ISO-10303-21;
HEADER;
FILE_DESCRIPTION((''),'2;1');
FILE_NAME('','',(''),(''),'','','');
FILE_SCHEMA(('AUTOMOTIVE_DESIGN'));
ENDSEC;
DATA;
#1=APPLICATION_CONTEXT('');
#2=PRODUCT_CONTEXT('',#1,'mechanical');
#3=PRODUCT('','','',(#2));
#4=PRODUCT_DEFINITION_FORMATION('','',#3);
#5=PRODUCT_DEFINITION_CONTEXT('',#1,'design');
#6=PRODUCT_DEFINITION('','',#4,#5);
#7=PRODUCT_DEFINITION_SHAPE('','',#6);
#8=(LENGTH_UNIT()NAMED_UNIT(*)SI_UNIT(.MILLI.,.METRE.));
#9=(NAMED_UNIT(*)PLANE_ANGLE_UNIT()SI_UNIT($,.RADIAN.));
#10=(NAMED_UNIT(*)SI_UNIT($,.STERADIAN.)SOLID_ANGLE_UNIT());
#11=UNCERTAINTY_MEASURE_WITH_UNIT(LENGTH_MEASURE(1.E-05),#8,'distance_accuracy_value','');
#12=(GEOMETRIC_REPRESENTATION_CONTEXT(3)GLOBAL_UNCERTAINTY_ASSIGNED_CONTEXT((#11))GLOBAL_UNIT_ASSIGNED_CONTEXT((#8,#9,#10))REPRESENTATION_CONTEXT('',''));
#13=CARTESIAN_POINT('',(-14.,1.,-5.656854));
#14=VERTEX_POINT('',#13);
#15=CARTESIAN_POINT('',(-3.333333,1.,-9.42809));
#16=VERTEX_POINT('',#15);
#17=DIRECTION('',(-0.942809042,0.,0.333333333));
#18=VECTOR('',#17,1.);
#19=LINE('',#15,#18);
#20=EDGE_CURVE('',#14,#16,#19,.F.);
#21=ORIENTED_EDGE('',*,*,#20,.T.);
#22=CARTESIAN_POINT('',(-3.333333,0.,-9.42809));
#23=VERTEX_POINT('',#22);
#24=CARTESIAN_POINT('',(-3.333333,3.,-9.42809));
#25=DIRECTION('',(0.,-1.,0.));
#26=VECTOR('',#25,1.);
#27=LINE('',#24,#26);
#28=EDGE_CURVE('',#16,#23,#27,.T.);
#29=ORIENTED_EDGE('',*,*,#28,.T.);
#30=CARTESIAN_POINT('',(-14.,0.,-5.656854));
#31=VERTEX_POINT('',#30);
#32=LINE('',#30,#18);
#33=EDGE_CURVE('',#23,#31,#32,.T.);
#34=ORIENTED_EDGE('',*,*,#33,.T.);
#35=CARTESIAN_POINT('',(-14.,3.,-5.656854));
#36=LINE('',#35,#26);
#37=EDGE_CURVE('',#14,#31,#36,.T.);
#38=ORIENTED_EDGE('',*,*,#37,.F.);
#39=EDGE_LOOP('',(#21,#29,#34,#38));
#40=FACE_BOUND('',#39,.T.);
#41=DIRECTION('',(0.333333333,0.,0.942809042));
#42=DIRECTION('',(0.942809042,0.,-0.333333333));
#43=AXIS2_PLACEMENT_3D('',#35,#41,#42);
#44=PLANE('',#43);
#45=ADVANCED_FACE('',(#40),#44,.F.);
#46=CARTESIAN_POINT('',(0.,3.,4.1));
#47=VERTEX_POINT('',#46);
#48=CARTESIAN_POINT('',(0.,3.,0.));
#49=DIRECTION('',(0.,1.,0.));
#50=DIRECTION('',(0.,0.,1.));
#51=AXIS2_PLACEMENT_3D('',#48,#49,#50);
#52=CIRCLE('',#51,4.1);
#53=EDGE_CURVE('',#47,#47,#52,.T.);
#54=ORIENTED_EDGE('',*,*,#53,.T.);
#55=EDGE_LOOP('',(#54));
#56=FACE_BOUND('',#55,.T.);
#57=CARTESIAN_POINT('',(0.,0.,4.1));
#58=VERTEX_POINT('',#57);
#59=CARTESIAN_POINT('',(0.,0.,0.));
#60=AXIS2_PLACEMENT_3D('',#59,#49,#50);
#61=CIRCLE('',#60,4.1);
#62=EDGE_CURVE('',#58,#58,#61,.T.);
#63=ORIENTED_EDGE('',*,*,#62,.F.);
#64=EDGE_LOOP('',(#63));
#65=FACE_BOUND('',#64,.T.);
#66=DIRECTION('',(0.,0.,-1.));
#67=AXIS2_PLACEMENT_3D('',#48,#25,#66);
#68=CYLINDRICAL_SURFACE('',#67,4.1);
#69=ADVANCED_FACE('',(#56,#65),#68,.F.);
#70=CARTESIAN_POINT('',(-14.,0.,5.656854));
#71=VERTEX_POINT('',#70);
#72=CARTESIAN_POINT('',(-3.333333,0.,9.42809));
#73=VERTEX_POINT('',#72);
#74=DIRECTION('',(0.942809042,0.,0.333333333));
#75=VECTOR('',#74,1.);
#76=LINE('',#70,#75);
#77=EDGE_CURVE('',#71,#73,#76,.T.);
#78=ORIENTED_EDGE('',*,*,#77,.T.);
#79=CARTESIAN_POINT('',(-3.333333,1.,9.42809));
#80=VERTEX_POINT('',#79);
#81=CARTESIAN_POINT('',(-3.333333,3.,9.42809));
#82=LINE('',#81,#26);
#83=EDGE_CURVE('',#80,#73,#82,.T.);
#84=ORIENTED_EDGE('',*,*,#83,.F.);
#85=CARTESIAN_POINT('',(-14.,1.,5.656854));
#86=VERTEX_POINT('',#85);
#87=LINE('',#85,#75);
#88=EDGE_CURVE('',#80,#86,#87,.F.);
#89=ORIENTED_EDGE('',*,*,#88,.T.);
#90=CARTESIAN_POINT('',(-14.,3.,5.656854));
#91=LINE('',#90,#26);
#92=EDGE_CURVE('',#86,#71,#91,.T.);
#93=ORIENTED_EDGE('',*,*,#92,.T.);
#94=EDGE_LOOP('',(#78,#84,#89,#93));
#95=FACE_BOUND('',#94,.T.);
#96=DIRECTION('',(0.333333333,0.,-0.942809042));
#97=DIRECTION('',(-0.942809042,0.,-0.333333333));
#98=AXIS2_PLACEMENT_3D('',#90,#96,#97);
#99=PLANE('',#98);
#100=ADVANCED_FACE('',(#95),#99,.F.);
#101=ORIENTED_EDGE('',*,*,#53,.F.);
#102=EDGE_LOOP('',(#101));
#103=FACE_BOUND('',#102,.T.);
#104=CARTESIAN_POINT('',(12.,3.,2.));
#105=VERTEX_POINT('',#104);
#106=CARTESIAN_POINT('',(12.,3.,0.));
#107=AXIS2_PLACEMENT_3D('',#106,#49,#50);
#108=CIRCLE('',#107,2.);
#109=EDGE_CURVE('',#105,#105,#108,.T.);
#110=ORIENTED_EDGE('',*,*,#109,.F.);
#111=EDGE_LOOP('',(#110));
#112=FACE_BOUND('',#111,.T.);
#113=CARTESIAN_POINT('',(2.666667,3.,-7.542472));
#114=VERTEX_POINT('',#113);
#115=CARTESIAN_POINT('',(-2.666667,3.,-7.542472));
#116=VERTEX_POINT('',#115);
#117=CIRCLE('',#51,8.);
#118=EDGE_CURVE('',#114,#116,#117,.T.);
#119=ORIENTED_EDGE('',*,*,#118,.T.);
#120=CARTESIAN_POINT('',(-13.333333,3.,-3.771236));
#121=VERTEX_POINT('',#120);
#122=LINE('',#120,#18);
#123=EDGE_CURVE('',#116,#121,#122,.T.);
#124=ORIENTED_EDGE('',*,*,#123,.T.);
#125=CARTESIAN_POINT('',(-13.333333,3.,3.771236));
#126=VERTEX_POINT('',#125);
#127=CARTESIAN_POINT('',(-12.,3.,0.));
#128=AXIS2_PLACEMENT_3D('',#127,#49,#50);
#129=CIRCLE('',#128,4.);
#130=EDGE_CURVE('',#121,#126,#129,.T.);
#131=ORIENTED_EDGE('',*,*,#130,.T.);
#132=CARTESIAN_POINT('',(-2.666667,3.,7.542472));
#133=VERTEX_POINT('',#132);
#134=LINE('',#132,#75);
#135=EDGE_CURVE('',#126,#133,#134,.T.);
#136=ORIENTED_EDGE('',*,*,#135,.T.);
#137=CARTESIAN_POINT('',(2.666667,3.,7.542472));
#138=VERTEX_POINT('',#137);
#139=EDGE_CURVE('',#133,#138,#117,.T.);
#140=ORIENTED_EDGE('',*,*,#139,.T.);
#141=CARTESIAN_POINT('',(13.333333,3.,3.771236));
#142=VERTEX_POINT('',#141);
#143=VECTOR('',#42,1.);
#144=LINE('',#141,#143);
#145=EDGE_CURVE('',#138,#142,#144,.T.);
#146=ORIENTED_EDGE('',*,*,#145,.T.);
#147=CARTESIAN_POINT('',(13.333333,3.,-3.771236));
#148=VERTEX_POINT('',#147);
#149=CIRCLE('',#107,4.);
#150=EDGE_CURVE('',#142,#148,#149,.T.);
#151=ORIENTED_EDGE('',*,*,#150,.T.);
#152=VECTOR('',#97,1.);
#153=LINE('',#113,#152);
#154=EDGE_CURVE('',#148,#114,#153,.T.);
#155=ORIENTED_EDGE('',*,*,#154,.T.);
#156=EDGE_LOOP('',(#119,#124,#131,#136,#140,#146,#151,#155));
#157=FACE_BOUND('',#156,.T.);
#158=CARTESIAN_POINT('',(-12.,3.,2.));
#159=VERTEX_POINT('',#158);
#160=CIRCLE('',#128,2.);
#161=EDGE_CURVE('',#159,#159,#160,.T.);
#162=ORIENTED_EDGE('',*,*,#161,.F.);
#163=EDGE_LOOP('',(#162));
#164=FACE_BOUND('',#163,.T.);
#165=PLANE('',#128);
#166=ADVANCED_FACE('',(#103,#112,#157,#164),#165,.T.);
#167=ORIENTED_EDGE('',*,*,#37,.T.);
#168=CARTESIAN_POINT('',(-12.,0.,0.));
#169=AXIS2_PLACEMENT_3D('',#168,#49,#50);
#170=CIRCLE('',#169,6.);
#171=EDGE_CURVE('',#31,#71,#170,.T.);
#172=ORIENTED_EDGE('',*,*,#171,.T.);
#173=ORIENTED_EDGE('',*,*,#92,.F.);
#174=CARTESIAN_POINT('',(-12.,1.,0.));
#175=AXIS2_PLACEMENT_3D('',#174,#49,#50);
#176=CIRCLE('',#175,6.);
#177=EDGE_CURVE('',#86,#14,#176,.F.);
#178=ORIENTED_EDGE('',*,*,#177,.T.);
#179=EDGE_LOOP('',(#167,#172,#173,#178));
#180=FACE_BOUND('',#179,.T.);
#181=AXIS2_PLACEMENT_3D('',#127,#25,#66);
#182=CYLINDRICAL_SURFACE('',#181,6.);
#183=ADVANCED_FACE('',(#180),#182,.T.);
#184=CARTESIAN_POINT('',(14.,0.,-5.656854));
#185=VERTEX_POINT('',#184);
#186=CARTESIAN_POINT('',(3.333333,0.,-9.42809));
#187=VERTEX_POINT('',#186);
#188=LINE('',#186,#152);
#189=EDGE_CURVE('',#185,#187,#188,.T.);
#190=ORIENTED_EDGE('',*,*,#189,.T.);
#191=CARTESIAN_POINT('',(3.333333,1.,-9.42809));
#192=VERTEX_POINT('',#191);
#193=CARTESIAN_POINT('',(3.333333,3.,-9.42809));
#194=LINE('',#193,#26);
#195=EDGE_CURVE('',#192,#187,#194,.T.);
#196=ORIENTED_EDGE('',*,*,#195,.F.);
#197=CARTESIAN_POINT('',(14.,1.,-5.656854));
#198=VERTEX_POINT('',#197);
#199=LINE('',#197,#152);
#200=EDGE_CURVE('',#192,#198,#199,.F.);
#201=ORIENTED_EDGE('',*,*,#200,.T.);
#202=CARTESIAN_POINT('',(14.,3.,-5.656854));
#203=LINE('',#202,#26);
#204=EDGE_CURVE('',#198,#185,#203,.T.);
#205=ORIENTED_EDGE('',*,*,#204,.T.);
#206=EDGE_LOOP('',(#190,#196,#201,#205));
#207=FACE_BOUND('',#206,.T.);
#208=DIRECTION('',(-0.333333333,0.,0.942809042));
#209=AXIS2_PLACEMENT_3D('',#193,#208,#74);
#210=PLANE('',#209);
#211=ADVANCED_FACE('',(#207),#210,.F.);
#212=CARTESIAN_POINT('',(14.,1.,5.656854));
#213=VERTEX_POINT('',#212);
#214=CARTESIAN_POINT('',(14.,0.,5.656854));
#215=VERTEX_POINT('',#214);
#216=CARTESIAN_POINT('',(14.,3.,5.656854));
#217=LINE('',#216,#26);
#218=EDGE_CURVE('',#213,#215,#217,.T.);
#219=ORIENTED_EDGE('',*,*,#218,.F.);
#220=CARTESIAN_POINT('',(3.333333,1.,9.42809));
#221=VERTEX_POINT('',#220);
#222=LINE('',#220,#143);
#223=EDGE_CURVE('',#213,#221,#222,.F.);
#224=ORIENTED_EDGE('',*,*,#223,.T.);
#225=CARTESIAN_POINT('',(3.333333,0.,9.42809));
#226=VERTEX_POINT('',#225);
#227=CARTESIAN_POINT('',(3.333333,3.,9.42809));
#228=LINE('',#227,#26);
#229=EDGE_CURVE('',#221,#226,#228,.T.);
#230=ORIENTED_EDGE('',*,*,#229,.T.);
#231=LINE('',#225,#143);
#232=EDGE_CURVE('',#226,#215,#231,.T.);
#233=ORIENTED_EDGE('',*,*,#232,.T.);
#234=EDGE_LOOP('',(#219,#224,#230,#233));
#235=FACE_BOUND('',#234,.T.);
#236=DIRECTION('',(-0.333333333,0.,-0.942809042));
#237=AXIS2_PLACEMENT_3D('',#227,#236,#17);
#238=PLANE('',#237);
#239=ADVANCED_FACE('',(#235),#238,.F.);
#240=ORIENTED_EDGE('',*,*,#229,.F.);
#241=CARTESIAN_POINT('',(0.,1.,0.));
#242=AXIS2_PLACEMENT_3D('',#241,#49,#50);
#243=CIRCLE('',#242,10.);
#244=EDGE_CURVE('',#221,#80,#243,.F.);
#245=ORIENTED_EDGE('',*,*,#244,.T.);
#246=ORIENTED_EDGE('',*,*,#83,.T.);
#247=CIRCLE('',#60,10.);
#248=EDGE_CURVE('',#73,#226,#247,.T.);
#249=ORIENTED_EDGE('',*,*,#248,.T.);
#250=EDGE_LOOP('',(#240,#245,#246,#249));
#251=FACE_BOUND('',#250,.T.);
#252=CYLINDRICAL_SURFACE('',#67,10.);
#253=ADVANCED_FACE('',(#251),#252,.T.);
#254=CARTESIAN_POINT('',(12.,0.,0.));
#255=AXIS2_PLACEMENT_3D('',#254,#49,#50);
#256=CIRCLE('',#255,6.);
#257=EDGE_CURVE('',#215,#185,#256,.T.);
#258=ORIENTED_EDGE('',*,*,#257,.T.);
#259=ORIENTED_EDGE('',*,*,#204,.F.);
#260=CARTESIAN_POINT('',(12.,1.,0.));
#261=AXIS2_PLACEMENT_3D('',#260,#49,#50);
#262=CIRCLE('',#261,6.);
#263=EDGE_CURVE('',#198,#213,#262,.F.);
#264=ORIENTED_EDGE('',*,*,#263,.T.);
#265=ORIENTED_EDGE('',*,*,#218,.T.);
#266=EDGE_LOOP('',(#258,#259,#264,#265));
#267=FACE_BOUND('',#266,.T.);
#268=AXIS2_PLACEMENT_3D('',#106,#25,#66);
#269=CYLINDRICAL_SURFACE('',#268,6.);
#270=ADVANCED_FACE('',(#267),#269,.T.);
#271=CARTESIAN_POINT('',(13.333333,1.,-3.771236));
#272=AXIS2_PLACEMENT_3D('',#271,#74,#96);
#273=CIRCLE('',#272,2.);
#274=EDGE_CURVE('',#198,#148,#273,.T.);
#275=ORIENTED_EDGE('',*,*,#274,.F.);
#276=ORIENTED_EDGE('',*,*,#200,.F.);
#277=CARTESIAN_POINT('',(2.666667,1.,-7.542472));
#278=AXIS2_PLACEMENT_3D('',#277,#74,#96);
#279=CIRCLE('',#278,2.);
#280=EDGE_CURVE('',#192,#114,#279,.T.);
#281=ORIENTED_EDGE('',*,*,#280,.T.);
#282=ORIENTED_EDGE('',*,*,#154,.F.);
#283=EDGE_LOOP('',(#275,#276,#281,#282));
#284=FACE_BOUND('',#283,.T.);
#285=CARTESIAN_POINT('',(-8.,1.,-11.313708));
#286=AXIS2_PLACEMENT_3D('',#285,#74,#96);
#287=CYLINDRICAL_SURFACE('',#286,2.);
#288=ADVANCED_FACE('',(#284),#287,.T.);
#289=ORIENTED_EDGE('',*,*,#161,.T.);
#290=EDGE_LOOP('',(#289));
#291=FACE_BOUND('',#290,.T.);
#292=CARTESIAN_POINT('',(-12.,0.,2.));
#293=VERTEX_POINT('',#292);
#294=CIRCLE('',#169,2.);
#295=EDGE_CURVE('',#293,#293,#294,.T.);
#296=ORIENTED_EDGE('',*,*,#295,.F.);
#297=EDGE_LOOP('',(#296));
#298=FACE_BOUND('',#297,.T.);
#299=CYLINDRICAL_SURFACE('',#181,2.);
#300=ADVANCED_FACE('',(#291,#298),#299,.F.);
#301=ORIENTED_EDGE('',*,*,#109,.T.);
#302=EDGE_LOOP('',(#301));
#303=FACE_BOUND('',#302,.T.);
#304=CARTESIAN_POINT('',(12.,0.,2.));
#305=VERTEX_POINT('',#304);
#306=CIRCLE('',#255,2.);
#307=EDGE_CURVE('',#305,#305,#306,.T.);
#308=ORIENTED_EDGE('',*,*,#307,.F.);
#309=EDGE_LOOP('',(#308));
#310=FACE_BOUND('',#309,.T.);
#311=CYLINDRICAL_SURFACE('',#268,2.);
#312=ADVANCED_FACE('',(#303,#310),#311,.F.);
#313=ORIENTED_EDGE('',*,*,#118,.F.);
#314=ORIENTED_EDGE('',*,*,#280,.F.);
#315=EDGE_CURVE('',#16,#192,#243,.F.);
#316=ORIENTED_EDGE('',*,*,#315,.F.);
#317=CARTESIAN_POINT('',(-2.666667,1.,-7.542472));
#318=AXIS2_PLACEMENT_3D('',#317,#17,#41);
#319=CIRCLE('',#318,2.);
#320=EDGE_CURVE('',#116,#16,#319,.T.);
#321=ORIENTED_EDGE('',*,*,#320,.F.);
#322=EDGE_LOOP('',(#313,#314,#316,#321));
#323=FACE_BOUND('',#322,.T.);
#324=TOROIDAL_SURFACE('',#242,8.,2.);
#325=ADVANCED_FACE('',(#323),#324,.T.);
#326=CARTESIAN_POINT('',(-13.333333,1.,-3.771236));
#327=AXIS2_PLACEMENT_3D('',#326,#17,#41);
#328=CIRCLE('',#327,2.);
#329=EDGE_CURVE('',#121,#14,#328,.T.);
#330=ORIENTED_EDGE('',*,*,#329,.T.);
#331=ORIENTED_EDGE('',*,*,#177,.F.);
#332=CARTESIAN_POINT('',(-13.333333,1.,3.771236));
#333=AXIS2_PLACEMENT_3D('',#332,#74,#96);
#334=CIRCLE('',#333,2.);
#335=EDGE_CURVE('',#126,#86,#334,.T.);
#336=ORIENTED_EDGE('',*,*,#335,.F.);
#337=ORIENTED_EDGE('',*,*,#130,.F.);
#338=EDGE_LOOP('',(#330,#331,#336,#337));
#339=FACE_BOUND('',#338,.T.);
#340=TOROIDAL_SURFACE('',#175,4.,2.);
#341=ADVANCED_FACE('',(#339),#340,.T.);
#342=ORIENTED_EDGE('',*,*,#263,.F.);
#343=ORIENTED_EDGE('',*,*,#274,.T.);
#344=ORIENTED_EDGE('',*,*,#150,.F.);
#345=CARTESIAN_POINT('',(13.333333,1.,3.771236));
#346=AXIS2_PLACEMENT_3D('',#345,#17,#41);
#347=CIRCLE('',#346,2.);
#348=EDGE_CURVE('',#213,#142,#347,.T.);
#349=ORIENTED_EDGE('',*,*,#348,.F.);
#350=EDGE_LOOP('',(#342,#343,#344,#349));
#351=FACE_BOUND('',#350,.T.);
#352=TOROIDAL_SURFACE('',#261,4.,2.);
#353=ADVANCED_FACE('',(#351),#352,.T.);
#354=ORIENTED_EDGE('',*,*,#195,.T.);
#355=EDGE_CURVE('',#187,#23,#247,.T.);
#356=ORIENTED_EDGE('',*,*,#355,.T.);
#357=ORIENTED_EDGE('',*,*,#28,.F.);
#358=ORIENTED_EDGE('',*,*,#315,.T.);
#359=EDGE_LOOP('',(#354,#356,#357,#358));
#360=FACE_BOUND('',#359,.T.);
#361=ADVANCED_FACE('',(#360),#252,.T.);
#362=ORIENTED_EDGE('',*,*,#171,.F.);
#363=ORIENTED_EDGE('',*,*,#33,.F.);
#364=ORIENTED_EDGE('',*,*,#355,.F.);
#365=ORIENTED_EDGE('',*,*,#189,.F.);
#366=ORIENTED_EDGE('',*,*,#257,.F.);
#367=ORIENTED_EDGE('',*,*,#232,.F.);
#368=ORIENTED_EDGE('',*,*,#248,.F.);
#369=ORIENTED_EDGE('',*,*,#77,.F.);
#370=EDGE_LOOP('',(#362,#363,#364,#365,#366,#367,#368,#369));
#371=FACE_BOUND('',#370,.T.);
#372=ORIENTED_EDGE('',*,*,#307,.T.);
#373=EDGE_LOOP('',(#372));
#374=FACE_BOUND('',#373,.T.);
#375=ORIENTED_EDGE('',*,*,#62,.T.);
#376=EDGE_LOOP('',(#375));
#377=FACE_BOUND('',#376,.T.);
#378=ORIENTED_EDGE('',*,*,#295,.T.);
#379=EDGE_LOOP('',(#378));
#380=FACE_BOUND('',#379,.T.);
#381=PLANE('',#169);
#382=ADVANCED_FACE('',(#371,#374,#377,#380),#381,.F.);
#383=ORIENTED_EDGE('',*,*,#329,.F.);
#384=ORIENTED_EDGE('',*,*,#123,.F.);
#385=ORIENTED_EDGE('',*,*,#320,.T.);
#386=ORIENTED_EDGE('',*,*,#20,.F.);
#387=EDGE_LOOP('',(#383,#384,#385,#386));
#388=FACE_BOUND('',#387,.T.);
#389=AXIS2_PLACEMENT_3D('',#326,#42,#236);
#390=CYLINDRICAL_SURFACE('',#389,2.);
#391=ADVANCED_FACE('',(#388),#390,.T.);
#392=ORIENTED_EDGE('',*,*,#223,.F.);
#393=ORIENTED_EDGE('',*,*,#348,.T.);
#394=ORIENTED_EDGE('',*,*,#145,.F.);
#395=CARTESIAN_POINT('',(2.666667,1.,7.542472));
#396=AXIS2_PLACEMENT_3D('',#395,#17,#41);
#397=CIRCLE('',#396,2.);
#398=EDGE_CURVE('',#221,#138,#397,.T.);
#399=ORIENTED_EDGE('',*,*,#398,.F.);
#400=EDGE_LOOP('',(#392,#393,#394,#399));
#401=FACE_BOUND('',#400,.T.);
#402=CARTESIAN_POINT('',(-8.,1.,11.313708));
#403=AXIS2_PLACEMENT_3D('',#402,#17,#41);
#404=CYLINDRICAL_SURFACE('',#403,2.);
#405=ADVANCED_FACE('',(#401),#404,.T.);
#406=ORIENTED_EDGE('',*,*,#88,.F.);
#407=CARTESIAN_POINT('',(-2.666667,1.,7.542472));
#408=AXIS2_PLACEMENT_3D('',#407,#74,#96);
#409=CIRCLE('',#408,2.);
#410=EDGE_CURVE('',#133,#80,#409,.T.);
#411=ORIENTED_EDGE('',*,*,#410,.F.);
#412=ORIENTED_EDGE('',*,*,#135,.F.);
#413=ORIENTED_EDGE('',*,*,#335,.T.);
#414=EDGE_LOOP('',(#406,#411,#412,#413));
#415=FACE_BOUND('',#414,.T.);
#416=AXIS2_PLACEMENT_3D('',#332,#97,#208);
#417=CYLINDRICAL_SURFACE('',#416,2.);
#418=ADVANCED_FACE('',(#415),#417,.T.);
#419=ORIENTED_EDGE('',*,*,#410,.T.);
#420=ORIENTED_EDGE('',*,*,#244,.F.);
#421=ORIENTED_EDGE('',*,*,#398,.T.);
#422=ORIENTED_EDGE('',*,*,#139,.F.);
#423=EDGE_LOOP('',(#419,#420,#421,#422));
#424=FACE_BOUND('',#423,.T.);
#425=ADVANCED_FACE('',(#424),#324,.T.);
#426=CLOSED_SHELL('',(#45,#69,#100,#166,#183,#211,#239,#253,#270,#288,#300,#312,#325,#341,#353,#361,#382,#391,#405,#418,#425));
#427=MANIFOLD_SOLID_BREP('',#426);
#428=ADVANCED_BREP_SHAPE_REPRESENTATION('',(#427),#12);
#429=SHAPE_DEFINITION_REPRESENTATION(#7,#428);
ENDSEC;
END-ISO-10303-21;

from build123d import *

# Parameters (mm, degrees)
SKETCH1_R           = 4.1
SKETCH1_R_2         = 2
BOSS_EXTRUDE1_DEPTH = 3
FILLET1_R           = 2


with BuildPart() as part:
    # Sketch1 → Boss-Extrude1 (new body)
    with BuildSketch(Plane(origin=(0, 0, 0), x_dir=(1, 0, 0), z_dir=(0, 1, 0))):
        with BuildLine():
            Line((-14, 5.656854249), (-3.333333333, 9.428090416))
            ThreePointArc((-3.333333333, 9.428090416), (0, 10), (3.333333333, 9.428090416))
            Line((3.333333333, 9.428090416), (14, 5.656854249))
            ThreePointArc((14, 5.656854249), (18, 0), (14, -5.656854249))
            Line((14, -5.656854249), (3.333333333, -9.428090416))
            ThreePointArc((3.333333333, -9.428090416), (0, -10), (-3.333333333, -9.428090416))
            Line((-3.333333333, -9.428090416), (-14, -5.656854249))
            ThreePointArc((-14, -5.656854249), (-18, 0), (-14, 5.656854249))
        make_face()
        with Locations(Location((0, 0, 0), (0, 0, 270))):
            Circle(SKETCH1_R, mode=Mode.SUBTRACT)
        with Locations(Location((-12, 0, 0), (0, 0, 270))):
            Circle(SKETCH1_R_2, mode=Mode.SUBTRACT)
        with Locations(Location((12, 0, 0), (0, 0, 270))):
            Circle(SKETCH1_R_2, mode=Mode.SUBTRACT)
    extrude(amount=BOSS_EXTRUDE1_DEPTH)

    # Fillet1
    fillet1_edges = [part.edges().sort_by_distance(p)[0] for p in [
        (0, 3, 10),
        (8.666666667, 3, 7.542472333),
        (18, 3, 0),
        (8.666666667, 3, -7.542472333),
        (0, 3, -10),
        (-8.666666667, 3, -7.542472333),
        (-18, 3, 0),
        (-8.666666667, 3, 7.542472333),
    ]]
    fillet(fillet1_edges, radius=FILLET1_R)


solid = part.part
